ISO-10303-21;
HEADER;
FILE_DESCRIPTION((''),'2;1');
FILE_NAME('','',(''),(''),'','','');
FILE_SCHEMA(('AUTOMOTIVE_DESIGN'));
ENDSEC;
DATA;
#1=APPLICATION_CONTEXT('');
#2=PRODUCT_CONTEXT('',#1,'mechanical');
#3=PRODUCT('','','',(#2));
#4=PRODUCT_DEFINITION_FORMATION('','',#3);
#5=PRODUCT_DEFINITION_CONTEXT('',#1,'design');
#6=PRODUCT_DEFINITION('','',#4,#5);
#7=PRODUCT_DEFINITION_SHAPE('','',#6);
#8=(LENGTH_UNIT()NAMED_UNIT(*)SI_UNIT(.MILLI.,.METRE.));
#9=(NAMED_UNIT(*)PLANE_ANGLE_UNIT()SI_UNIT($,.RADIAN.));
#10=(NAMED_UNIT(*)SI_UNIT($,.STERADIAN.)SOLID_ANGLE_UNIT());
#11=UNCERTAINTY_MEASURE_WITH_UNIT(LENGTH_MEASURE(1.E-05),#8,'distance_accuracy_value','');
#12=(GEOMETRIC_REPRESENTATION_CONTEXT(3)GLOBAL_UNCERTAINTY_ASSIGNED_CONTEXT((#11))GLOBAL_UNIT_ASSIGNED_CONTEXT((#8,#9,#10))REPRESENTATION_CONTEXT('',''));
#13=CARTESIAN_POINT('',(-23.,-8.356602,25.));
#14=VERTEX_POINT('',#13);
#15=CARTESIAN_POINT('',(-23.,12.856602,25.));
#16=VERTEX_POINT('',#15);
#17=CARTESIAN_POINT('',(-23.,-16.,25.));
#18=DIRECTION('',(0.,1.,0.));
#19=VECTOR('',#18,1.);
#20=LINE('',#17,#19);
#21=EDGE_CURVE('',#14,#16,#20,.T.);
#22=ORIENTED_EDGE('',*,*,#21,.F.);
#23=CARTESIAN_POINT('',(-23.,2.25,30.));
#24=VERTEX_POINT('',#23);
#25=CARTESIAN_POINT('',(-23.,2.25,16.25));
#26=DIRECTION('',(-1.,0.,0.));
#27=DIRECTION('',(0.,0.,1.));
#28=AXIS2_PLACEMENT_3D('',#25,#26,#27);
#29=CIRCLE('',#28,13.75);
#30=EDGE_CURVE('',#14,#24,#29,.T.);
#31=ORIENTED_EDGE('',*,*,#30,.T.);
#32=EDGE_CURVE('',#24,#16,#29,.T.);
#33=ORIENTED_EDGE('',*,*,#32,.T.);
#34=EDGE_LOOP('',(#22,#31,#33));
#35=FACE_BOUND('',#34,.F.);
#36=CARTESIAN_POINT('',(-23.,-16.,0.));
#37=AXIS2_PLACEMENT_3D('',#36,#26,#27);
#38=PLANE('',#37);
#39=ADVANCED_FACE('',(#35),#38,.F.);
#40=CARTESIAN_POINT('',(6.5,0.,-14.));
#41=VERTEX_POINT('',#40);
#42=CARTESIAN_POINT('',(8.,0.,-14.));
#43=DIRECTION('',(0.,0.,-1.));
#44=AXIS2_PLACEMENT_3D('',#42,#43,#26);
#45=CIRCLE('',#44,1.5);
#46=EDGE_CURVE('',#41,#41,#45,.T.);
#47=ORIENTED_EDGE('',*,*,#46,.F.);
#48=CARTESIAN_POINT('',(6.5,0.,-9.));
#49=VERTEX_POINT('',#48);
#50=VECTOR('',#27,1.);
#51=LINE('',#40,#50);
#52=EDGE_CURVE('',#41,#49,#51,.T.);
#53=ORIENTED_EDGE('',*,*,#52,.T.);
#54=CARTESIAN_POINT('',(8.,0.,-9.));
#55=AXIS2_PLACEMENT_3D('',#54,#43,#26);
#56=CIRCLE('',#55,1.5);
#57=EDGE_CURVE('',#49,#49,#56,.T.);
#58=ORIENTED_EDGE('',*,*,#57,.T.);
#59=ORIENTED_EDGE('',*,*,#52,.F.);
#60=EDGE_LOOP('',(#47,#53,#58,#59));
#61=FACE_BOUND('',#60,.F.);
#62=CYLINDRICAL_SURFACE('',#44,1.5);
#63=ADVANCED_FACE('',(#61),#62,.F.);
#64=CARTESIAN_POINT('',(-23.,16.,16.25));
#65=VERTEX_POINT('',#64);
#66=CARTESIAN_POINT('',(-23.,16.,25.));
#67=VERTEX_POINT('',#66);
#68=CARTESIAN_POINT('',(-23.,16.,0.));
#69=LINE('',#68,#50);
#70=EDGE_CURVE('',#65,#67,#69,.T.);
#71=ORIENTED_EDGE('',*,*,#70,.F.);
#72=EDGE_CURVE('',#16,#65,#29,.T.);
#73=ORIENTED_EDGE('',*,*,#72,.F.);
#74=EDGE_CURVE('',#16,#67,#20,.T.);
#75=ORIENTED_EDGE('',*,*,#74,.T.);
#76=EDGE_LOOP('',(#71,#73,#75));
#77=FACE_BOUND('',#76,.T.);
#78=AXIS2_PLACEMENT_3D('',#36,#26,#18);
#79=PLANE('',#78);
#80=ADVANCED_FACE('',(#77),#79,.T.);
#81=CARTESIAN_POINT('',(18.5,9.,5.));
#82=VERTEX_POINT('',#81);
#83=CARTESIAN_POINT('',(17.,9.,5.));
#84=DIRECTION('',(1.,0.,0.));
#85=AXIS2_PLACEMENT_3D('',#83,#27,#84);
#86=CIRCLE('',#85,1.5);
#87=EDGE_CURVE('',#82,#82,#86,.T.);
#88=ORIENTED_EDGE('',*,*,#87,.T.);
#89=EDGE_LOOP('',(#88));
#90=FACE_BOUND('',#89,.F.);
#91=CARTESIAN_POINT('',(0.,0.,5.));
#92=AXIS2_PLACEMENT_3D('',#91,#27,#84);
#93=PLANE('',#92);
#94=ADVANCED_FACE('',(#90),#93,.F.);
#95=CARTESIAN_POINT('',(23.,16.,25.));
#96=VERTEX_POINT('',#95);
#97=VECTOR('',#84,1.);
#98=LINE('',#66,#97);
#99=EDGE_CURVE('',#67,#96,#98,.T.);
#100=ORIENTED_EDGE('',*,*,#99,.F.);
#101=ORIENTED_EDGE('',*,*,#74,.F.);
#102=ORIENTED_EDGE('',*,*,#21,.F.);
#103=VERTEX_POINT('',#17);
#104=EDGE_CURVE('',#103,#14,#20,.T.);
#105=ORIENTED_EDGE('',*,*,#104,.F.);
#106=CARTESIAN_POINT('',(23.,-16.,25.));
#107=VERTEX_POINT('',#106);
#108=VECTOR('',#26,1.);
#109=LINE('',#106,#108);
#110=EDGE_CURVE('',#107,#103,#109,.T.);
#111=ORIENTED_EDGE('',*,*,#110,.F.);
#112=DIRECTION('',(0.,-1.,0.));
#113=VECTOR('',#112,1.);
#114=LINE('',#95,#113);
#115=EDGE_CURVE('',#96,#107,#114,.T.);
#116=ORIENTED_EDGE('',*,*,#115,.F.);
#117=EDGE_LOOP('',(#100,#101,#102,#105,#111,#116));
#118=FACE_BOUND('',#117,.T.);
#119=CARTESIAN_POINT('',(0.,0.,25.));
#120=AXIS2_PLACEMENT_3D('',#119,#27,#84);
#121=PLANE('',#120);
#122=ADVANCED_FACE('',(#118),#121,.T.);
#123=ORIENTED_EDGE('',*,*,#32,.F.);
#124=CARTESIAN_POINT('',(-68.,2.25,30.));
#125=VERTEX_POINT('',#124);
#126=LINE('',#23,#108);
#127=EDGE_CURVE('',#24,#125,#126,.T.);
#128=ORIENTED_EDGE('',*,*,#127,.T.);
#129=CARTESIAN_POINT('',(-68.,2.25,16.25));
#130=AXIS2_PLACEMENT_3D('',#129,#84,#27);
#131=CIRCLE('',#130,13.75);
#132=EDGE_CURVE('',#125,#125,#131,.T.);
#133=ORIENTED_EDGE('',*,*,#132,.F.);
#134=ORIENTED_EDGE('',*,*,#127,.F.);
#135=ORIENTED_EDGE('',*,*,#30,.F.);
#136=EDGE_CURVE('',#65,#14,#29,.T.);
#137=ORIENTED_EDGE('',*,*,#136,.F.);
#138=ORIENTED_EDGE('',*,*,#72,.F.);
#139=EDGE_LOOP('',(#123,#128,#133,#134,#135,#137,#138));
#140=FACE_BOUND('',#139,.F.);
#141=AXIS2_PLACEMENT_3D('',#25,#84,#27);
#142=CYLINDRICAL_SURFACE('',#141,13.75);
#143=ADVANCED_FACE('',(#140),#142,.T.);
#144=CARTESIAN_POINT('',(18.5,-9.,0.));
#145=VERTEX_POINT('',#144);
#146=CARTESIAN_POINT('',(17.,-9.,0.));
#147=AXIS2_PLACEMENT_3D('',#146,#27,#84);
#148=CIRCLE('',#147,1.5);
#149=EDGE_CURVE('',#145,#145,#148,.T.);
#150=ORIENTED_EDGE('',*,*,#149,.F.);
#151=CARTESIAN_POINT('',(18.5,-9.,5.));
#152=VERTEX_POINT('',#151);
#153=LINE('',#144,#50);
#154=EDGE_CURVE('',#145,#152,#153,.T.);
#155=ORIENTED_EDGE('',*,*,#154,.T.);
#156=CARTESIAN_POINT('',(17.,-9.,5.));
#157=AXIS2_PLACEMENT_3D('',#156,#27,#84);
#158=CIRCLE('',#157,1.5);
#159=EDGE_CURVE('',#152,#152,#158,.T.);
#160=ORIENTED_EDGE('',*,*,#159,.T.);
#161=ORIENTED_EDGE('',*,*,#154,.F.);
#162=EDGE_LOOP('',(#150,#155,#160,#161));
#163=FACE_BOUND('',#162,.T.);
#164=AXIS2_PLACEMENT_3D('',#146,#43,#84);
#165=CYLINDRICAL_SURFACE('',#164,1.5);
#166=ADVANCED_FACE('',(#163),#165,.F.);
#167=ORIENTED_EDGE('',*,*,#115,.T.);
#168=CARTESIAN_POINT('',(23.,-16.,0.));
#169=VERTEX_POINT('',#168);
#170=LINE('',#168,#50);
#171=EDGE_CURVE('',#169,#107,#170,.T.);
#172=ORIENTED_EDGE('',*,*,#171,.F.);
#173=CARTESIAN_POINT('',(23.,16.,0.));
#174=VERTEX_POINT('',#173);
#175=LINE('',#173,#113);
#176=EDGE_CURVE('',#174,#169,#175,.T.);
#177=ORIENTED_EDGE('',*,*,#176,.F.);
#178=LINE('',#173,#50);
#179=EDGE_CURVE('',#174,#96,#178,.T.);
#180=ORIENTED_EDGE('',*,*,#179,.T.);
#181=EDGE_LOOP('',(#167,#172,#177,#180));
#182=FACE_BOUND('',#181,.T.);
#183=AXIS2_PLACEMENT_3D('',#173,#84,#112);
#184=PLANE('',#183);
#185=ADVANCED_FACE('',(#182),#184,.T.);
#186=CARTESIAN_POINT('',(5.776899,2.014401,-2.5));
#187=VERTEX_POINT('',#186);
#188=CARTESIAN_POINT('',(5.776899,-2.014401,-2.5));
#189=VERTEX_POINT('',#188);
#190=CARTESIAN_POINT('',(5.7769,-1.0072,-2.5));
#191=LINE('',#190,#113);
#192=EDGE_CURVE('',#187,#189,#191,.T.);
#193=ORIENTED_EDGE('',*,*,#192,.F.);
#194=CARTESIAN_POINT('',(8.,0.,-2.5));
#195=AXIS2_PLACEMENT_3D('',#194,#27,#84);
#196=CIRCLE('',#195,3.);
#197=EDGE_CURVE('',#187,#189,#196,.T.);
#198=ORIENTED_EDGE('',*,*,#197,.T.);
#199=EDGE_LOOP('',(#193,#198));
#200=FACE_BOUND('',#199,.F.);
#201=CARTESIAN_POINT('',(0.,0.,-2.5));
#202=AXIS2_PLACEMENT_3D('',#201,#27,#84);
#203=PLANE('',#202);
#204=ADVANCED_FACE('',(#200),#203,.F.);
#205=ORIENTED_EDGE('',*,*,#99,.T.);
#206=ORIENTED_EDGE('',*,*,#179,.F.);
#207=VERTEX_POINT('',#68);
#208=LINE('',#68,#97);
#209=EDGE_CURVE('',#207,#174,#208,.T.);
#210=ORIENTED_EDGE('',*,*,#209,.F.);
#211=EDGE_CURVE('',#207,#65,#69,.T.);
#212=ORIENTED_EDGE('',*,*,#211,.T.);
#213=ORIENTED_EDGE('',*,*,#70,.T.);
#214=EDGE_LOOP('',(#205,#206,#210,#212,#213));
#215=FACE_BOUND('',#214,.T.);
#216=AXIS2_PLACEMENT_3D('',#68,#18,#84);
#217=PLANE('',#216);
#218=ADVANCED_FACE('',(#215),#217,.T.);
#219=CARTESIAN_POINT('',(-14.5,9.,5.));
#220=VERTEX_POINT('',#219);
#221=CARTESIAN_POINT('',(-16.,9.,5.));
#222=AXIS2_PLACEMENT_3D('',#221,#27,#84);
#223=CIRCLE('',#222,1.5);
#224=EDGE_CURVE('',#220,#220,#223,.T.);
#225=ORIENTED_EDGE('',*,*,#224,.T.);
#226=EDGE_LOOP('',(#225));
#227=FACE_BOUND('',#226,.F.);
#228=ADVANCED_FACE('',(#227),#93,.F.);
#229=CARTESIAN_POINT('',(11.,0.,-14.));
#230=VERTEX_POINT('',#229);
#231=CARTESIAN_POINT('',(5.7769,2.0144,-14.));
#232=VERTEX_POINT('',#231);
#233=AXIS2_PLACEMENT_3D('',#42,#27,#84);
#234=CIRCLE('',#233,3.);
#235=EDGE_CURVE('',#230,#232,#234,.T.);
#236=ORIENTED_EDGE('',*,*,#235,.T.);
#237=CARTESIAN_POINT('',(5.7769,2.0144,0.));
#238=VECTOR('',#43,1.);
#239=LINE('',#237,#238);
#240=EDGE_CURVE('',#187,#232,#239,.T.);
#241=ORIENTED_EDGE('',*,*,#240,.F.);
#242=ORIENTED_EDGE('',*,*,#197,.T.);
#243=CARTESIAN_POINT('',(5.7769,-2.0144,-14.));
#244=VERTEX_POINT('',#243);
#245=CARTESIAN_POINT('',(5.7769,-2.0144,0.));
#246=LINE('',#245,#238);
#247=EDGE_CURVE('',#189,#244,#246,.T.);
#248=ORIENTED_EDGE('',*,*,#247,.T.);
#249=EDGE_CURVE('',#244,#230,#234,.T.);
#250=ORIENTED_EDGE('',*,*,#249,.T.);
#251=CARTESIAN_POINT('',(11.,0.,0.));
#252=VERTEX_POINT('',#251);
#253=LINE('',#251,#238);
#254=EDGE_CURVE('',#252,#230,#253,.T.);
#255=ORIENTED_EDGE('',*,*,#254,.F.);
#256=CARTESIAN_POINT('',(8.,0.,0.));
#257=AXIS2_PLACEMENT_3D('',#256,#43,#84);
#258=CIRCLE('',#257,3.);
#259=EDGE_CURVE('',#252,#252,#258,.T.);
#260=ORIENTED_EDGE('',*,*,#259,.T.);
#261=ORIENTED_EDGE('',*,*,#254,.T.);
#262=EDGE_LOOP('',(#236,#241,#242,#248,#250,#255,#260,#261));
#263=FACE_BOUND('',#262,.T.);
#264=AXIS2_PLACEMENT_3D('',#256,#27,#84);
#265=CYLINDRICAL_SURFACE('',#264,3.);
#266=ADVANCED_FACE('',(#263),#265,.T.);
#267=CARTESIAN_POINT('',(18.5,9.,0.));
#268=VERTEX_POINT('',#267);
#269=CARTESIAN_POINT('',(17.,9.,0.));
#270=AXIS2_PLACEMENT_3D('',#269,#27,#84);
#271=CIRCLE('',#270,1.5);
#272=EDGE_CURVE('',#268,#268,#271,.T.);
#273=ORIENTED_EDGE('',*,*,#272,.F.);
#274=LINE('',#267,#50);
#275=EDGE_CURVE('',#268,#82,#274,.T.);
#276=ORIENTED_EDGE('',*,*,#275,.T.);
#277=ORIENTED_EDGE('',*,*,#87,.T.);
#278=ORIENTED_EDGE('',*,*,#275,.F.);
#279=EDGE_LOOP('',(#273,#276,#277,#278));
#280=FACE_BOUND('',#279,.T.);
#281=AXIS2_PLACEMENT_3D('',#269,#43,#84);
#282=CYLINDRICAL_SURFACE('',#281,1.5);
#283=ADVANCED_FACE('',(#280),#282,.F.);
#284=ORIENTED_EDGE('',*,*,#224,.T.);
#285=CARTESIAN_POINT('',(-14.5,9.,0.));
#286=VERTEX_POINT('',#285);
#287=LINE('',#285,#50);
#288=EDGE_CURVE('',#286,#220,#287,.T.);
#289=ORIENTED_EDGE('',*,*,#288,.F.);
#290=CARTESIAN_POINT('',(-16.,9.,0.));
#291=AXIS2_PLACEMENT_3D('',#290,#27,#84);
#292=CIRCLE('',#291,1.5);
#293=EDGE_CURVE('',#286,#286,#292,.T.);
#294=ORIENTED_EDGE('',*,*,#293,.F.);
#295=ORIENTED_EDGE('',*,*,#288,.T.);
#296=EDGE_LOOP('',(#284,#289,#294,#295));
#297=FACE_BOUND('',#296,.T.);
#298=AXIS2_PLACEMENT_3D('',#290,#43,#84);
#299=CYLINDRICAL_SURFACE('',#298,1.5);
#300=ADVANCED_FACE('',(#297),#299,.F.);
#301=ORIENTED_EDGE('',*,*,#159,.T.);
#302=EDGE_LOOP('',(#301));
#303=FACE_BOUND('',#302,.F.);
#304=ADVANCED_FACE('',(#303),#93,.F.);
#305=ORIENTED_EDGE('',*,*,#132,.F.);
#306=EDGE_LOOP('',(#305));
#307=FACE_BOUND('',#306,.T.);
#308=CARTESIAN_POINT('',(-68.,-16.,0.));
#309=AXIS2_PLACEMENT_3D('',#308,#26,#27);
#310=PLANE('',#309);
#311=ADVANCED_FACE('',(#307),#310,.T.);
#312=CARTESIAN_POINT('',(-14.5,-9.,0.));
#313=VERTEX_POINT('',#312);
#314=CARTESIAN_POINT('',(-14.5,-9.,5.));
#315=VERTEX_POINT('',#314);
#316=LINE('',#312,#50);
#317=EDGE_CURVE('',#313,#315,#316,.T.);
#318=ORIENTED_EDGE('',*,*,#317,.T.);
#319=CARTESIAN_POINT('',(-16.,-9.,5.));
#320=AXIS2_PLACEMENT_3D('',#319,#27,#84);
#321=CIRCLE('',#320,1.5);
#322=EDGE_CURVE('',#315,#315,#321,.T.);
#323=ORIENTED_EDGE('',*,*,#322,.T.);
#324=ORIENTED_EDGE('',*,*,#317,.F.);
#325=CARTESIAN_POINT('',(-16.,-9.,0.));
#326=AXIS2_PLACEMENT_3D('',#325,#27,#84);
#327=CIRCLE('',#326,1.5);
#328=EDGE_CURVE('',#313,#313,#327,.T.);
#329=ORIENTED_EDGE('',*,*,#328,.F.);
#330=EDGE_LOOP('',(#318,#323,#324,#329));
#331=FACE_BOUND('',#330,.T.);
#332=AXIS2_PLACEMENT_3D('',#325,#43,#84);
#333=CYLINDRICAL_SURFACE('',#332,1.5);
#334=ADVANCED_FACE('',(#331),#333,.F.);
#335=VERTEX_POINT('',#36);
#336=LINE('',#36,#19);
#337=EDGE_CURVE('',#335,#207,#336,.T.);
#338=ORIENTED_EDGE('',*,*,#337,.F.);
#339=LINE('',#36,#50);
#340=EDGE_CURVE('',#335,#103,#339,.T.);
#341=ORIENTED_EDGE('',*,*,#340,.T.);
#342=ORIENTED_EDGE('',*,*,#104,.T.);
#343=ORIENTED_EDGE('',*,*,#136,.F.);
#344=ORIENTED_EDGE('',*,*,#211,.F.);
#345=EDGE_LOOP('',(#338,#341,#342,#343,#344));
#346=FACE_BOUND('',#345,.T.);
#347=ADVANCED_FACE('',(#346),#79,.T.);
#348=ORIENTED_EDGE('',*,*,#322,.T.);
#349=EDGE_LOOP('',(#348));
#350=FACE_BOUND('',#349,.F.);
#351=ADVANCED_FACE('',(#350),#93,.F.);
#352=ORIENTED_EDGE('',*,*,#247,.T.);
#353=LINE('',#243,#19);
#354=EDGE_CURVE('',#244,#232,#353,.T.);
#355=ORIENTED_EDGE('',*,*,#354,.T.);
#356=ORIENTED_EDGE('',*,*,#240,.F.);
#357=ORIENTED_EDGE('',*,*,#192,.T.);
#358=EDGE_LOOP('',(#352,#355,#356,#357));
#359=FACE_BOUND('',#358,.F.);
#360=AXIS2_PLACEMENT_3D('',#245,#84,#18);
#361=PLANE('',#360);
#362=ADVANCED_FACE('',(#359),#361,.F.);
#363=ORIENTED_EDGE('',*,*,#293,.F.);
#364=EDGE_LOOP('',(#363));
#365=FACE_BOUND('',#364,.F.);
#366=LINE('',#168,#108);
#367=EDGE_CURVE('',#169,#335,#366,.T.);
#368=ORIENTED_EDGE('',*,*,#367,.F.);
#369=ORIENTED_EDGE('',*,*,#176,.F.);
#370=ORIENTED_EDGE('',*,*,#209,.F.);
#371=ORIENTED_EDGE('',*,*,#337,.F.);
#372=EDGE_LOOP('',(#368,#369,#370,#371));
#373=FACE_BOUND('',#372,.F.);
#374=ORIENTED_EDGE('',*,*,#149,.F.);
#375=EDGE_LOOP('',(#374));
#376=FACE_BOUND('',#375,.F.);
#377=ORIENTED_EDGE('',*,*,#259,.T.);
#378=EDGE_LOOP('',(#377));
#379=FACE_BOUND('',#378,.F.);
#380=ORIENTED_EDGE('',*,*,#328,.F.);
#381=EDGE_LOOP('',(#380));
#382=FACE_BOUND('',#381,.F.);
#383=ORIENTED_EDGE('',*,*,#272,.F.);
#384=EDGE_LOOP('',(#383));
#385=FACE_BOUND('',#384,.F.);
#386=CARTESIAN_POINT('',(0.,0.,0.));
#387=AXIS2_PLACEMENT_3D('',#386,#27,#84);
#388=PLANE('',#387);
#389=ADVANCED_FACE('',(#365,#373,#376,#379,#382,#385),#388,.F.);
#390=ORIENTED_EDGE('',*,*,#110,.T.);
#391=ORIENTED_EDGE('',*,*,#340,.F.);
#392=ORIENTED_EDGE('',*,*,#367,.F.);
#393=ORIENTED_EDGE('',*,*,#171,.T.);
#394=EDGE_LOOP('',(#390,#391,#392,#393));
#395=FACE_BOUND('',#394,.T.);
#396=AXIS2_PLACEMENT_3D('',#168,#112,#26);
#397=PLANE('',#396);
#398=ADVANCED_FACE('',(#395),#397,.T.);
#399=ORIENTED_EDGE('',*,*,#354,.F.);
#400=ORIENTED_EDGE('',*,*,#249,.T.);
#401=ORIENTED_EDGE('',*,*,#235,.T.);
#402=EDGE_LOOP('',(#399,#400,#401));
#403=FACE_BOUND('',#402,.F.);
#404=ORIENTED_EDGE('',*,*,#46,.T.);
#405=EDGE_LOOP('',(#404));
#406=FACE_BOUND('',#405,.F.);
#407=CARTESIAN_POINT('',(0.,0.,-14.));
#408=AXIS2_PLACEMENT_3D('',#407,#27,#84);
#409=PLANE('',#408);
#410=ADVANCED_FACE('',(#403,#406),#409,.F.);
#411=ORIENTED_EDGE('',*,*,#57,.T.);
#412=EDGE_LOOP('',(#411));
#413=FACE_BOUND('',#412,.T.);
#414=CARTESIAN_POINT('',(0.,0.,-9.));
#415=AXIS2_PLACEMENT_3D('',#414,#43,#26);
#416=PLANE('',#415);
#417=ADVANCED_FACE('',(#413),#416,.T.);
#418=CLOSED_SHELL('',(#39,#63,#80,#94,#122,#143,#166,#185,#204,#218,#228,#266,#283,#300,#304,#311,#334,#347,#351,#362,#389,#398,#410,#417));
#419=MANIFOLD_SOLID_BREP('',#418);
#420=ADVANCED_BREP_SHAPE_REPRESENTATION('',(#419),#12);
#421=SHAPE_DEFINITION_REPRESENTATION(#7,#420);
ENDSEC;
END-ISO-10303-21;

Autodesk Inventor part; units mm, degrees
ref_plane "YZ Plane" through (0, 0, 0) normal (1, 0, 0) x (0, 1, 0)
ref_plane "XZ Plane" through (0, 0, 0) normal (0, 1, 0) x (-1, 0, 0)
ref_plane "XY Plane" through (0, 0, 0) normal (0, 0, 1) x (1, 0, 0)
sketch "Sketch1" plane through (0, 0, 0) normal (0, 0, 1) x (1, 0, 0)
  line L0 (23, -16) -> (-23, -16)
  line L1 (-23, -16) -> (-23, 16)
  line L2 (-23, 16) -> (23, 16)
  line L3 (23, 16) -> (23, -16)
  line L4 (23, -16) -> (-23, 16) construction
  line L5 (-23, -16) -> (23, 16) construction
  line L6 (0, 0) -> (32.2248, 0) construction
  line L7 (0, 0) -> (0, 21.3704) construction
  circle A0 centre (8, 0) radius 3
  circle A1 centre (17, 9) radius 1.5
  circle A2 centre (-16, 9) radius 1.5
  line L8 (17, 9) -> (-16, 9) construction
  circle A3 centre (17, -9) radius 1.5
  circle A4 centre (-16, -9) radius 1.5
  line L9 (5.7769, -2.0144) -> (5.7769, 2.0144)
  dimension "d0" = 46
  dimension "d1" = 32
  dimension "d2" = 6
  dimension "d3" = 15
  dimension "d7" = 3
  dimension "d9" = 3
  dimension "d14" = 33
  dimension "d15" = 9
  dimension "d16" = 9
extrude "Extrusion1" add sketch "Sketch1" against normal blind 14 contours A0 L9 picked at (7.5179, 0)
extrude "Extrusion2" add sketch "Sketch1" against normal blind 2.5 contours A0 L9 | L9 A0
extrude "Extrusion3" add sketch "Sketch1" along normal blind 25 contours L0 L1 L2 L3 | A0 L9 | L9 A0 | A1 | A2 | A3 | A4
extrude "Extrusion4" cut sketch "Sketch1" along normal blind 5 contours A1 | A2 | A3 | A4
sketch "Sketch2" plane through (-23, -16, 0) normal (-1, 0, 0) x (0, 0, 1)
  circle A0 centre (16.25, 18.25) radius 13.75
  line L0 (0, 32) -> (25, 32) projected
  line L1 (0, 0) -> (0, 32) projected
  point P0 (0, 16)
  dimension "d23" = 27.5
  dimension "d24" = 16.25
extrude "Extrusion5" add sketch "Sketch2" along normal blind 45
sketch "Sketch3" plane through (0, 0, -14) normal (0, 0, -1) x (-1, 0, 0)
  arc A0 (-5.7769, 2.0144) -> (-5.7769, -2.0144) centre (-8, 0) ccw projected
  circle A1 centre (-8, 0) radius 1.5
  point P0 (0, 0)
  dimension "d29" = 3
extrude "Extrusion7" cut sketch "Sketch3" against normal blind 5
properties part number "motor"
